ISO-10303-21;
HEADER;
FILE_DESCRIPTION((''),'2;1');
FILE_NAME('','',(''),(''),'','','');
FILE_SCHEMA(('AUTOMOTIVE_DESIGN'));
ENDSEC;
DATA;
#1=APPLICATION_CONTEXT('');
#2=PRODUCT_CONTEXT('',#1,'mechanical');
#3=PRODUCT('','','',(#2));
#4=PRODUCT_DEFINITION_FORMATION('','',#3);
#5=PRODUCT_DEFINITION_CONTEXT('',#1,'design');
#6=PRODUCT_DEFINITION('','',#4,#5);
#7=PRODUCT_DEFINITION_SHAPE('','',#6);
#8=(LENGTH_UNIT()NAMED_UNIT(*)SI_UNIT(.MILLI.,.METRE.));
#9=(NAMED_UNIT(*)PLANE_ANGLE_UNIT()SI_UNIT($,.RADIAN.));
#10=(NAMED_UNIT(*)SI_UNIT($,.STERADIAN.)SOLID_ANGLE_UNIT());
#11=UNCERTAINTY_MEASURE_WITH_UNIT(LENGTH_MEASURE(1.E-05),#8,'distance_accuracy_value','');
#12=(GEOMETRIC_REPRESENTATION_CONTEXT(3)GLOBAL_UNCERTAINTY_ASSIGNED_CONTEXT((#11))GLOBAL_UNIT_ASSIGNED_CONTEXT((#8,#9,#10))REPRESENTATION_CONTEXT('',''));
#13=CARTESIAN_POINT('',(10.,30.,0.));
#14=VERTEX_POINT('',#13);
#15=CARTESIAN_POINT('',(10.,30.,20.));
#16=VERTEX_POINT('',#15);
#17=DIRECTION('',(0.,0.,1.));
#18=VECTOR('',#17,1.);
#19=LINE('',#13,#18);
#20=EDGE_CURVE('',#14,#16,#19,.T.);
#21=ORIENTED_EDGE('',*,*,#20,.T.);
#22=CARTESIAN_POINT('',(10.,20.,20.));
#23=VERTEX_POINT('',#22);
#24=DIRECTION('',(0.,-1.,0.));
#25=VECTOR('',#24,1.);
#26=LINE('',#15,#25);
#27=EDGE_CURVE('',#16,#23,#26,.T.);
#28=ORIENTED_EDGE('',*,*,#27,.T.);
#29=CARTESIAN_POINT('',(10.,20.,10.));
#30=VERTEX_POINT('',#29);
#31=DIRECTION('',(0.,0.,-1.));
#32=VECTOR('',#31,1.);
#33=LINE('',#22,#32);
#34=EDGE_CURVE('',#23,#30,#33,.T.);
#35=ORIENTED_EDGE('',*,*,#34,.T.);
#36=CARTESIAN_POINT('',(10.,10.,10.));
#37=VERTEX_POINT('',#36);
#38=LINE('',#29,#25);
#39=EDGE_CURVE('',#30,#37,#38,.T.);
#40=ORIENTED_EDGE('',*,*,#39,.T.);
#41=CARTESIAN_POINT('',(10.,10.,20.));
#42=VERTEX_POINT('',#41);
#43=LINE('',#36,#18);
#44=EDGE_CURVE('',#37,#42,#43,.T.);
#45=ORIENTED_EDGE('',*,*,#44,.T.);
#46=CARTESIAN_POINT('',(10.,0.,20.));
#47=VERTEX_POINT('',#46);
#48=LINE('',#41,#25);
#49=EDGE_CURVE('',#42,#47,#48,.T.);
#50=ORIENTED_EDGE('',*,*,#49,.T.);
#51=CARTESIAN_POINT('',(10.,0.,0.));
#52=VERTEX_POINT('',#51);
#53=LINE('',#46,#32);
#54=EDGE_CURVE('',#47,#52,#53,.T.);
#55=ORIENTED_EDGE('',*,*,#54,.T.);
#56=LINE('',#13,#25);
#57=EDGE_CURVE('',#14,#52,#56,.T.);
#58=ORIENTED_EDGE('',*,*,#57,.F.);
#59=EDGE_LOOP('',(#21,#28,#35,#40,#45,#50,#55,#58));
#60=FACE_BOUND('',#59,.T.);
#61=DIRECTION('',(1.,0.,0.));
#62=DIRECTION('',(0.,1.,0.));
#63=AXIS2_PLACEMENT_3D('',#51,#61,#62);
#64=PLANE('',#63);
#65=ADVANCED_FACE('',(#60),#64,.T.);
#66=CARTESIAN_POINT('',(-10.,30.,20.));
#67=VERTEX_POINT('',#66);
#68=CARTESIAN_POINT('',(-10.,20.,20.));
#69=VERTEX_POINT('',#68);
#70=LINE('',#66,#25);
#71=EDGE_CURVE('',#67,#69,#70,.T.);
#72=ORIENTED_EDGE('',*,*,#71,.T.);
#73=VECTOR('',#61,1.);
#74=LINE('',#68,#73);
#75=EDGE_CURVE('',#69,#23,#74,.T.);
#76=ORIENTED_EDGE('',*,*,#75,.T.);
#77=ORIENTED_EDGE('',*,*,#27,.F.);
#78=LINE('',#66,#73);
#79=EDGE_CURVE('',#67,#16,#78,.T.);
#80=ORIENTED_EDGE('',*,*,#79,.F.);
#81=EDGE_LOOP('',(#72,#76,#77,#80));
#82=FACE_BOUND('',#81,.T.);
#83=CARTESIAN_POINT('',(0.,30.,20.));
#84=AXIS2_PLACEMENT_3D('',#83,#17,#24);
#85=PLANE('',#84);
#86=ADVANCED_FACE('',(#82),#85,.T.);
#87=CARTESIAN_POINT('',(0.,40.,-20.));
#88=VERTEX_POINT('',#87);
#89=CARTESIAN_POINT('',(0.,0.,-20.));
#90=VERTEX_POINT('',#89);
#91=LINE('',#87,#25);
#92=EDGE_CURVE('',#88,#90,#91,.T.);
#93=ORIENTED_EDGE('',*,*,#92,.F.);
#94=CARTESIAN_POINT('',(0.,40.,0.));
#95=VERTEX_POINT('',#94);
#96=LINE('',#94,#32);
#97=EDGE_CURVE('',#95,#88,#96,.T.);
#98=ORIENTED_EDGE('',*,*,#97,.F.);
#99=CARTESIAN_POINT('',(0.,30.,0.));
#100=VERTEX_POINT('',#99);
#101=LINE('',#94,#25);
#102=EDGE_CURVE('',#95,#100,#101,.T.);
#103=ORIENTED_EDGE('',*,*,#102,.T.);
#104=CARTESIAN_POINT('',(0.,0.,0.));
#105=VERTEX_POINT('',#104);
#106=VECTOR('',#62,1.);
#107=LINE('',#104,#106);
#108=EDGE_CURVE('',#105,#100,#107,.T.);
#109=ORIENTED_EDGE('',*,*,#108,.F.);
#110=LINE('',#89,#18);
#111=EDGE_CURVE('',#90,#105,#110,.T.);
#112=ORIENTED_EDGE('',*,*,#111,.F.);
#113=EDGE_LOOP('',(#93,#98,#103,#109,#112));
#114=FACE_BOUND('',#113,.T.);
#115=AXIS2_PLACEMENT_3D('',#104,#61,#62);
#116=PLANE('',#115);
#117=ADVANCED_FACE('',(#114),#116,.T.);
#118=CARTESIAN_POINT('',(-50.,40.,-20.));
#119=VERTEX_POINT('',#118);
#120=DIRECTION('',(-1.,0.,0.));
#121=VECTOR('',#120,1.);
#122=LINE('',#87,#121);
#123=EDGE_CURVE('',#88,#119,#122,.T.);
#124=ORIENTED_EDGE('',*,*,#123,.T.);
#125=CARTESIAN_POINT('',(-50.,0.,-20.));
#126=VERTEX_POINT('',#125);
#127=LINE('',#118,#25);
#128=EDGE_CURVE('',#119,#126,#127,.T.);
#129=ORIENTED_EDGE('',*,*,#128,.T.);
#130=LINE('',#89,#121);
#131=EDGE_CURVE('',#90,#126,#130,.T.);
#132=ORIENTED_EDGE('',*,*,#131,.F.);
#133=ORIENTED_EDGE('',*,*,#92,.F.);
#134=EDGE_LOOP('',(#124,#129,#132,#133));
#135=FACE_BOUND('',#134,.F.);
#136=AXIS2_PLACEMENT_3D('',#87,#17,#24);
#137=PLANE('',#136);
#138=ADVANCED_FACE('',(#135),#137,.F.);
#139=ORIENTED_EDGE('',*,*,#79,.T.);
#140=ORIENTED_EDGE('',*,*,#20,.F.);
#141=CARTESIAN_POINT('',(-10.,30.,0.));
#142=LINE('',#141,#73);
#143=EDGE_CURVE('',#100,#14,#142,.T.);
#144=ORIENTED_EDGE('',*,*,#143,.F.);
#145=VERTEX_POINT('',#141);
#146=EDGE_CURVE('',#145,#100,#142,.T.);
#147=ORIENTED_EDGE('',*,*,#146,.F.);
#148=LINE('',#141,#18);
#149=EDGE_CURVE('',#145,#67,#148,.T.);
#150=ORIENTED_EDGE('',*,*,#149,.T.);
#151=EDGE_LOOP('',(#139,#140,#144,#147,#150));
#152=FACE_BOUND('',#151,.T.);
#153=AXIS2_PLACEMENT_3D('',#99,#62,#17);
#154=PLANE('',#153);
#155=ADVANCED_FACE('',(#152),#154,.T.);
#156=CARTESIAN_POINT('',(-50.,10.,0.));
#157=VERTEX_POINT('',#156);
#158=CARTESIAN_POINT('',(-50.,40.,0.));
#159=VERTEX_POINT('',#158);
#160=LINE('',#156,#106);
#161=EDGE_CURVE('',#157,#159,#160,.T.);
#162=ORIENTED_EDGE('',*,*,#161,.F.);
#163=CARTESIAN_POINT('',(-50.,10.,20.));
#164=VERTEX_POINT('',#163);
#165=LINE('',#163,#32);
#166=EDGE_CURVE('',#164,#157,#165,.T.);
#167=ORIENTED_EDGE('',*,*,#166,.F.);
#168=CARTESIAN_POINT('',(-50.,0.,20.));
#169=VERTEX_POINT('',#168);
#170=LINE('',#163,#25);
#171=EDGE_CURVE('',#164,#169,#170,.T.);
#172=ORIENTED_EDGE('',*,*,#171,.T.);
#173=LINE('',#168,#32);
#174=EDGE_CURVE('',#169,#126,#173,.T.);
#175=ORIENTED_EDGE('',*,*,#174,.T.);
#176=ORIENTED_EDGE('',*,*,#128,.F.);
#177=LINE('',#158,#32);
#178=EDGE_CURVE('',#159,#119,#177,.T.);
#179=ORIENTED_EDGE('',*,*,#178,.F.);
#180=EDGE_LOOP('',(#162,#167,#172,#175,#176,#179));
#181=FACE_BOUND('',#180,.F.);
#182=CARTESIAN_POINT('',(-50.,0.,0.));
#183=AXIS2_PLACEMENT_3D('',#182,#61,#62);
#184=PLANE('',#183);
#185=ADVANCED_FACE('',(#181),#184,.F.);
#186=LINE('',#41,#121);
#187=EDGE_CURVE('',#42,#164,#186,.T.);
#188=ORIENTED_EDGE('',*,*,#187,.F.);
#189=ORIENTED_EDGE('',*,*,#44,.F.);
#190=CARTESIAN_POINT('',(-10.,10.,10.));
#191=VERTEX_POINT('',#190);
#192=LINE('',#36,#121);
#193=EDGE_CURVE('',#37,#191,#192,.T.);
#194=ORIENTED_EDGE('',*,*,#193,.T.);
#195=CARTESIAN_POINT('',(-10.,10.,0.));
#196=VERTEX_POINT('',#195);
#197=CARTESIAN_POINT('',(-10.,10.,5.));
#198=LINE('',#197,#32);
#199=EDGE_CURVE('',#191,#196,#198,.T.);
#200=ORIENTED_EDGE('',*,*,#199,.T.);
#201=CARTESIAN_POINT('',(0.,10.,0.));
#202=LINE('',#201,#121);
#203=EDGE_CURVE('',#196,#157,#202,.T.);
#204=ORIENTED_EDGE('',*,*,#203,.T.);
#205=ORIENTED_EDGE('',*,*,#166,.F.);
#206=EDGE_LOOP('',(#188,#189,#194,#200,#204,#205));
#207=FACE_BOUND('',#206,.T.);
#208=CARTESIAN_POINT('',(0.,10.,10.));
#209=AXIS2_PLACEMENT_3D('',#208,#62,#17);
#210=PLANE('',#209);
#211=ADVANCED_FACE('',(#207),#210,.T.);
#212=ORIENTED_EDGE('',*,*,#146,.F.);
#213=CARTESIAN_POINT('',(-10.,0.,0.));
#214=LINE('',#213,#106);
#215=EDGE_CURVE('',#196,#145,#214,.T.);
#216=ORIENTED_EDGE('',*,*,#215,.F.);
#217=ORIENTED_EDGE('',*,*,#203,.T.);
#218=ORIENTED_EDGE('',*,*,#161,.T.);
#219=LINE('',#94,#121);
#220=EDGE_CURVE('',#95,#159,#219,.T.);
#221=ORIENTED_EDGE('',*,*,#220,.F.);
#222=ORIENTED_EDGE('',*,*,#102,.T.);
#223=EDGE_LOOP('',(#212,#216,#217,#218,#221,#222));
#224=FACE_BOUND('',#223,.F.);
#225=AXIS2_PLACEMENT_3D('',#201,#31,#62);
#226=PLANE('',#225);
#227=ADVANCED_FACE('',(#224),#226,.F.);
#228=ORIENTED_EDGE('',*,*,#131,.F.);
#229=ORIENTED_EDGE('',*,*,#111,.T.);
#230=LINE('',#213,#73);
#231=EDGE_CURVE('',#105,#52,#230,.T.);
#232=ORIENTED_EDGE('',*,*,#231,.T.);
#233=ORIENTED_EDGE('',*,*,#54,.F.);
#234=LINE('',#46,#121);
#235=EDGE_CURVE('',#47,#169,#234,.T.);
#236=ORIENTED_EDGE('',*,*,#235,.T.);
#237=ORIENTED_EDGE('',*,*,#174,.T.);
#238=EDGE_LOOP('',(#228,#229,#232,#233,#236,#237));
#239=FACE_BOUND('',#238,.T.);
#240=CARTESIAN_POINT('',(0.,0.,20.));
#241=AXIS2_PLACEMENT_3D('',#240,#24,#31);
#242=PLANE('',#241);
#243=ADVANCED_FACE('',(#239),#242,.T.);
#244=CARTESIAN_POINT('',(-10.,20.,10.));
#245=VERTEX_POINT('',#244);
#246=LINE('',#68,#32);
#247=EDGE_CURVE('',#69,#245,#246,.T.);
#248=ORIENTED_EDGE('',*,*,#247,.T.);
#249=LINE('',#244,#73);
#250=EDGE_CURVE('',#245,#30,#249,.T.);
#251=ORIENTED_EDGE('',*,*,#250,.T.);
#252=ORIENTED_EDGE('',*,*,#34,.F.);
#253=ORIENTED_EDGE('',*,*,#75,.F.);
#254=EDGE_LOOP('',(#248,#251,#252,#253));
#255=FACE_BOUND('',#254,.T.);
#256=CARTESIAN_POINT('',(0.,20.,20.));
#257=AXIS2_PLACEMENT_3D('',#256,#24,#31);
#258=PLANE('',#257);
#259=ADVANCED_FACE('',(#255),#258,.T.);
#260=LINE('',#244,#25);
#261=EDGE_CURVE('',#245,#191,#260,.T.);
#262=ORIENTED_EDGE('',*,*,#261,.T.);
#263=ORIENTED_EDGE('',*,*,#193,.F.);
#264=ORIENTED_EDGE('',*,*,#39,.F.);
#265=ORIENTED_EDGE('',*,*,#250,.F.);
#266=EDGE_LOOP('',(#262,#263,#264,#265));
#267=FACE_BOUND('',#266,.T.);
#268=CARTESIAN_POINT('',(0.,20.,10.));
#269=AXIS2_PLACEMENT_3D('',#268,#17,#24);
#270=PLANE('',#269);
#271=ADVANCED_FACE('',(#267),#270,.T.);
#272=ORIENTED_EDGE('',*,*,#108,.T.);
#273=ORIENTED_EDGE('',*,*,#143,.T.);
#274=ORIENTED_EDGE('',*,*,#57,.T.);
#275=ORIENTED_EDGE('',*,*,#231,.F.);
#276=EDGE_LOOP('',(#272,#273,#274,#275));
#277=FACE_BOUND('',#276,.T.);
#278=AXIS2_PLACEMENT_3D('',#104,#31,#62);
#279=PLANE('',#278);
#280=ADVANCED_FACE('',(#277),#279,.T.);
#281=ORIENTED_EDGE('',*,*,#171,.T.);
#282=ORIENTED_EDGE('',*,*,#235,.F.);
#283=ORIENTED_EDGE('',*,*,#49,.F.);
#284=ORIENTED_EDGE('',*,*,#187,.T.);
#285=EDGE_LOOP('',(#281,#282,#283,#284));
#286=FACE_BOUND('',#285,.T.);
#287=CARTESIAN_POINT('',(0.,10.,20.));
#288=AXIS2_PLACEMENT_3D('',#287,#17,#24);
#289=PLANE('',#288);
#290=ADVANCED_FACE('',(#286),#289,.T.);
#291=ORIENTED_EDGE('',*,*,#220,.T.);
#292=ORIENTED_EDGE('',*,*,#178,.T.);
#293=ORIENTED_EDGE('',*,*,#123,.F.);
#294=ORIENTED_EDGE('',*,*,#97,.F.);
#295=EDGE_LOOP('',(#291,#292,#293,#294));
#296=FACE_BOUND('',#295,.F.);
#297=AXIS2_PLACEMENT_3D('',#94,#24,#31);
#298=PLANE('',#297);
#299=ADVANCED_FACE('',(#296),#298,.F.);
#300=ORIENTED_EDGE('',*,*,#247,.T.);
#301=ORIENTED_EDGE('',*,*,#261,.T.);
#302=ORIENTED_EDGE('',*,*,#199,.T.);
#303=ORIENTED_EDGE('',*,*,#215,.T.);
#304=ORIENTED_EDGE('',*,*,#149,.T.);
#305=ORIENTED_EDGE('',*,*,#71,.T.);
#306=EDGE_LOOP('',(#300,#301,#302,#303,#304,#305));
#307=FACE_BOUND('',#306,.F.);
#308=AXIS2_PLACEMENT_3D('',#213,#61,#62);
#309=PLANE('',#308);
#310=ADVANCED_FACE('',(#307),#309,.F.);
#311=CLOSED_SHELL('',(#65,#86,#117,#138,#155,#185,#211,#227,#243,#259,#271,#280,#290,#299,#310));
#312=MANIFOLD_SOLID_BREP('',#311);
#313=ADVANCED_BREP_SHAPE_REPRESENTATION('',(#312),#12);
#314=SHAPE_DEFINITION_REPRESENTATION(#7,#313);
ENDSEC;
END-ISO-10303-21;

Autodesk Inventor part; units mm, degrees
ref_plane "YZ Plane" through (0, 0, 0) normal (1, 0, 0) x (0, 1, 0)
ref_plane "XZ Plane" through (0, 0, 0) normal (0, 1, 0) x (-1, 0, 0)
ref_plane "XY Plane" through (0, 0, 0) normal (0, 0, 1) x (1, 0, 0)
sketch "草圖1" plane through (0, 0, 0) normal (1, 0, 0) x (0, 1, 0)
  line L0 (0, 0) -> (40, 0)
  line L1 (40, 0) -> (40, -20)
  line L2 (40, -20) -> (0, -20)
  line L3 (0, -20) -> (0, 0)
  line L4 (0, 0) -> (30, 0)
  line L5 (30, 0) -> (30, 20)
  line L6 (0, 20) -> (0, 0)
  line L7 (10, 20) -> (20, 20)
  line L8 (20, 20) -> (20, 10)
  line L9 (20, 10) -> (10, 10)
  line L10 (10, 10) -> (10, 20)
  line L11 (10, 10) -> (10, 0)
  line L12 (30, 20) -> (20, 20)
  line L13 (10, 20) -> (0, 20)
  dimension "d0" = 40
  dimension "d1" = 20
  dimension "d2" = 30
  dimension "d3" = 20
  dimension "d4" = 10
  dimension "d5" = 10
  dimension "d6" = 10
extrude "擠出1" add sketch "草圖1" against normal blind 50 contours L6 L13 L10 L11 L0 | L0 L1 L2 L3
extrude "擠出2" add sketch "草圖1" against normal mid plane 20 contours L6 L13 L10 L11 L0 | L11 L9 L8 L12 L5 L0
